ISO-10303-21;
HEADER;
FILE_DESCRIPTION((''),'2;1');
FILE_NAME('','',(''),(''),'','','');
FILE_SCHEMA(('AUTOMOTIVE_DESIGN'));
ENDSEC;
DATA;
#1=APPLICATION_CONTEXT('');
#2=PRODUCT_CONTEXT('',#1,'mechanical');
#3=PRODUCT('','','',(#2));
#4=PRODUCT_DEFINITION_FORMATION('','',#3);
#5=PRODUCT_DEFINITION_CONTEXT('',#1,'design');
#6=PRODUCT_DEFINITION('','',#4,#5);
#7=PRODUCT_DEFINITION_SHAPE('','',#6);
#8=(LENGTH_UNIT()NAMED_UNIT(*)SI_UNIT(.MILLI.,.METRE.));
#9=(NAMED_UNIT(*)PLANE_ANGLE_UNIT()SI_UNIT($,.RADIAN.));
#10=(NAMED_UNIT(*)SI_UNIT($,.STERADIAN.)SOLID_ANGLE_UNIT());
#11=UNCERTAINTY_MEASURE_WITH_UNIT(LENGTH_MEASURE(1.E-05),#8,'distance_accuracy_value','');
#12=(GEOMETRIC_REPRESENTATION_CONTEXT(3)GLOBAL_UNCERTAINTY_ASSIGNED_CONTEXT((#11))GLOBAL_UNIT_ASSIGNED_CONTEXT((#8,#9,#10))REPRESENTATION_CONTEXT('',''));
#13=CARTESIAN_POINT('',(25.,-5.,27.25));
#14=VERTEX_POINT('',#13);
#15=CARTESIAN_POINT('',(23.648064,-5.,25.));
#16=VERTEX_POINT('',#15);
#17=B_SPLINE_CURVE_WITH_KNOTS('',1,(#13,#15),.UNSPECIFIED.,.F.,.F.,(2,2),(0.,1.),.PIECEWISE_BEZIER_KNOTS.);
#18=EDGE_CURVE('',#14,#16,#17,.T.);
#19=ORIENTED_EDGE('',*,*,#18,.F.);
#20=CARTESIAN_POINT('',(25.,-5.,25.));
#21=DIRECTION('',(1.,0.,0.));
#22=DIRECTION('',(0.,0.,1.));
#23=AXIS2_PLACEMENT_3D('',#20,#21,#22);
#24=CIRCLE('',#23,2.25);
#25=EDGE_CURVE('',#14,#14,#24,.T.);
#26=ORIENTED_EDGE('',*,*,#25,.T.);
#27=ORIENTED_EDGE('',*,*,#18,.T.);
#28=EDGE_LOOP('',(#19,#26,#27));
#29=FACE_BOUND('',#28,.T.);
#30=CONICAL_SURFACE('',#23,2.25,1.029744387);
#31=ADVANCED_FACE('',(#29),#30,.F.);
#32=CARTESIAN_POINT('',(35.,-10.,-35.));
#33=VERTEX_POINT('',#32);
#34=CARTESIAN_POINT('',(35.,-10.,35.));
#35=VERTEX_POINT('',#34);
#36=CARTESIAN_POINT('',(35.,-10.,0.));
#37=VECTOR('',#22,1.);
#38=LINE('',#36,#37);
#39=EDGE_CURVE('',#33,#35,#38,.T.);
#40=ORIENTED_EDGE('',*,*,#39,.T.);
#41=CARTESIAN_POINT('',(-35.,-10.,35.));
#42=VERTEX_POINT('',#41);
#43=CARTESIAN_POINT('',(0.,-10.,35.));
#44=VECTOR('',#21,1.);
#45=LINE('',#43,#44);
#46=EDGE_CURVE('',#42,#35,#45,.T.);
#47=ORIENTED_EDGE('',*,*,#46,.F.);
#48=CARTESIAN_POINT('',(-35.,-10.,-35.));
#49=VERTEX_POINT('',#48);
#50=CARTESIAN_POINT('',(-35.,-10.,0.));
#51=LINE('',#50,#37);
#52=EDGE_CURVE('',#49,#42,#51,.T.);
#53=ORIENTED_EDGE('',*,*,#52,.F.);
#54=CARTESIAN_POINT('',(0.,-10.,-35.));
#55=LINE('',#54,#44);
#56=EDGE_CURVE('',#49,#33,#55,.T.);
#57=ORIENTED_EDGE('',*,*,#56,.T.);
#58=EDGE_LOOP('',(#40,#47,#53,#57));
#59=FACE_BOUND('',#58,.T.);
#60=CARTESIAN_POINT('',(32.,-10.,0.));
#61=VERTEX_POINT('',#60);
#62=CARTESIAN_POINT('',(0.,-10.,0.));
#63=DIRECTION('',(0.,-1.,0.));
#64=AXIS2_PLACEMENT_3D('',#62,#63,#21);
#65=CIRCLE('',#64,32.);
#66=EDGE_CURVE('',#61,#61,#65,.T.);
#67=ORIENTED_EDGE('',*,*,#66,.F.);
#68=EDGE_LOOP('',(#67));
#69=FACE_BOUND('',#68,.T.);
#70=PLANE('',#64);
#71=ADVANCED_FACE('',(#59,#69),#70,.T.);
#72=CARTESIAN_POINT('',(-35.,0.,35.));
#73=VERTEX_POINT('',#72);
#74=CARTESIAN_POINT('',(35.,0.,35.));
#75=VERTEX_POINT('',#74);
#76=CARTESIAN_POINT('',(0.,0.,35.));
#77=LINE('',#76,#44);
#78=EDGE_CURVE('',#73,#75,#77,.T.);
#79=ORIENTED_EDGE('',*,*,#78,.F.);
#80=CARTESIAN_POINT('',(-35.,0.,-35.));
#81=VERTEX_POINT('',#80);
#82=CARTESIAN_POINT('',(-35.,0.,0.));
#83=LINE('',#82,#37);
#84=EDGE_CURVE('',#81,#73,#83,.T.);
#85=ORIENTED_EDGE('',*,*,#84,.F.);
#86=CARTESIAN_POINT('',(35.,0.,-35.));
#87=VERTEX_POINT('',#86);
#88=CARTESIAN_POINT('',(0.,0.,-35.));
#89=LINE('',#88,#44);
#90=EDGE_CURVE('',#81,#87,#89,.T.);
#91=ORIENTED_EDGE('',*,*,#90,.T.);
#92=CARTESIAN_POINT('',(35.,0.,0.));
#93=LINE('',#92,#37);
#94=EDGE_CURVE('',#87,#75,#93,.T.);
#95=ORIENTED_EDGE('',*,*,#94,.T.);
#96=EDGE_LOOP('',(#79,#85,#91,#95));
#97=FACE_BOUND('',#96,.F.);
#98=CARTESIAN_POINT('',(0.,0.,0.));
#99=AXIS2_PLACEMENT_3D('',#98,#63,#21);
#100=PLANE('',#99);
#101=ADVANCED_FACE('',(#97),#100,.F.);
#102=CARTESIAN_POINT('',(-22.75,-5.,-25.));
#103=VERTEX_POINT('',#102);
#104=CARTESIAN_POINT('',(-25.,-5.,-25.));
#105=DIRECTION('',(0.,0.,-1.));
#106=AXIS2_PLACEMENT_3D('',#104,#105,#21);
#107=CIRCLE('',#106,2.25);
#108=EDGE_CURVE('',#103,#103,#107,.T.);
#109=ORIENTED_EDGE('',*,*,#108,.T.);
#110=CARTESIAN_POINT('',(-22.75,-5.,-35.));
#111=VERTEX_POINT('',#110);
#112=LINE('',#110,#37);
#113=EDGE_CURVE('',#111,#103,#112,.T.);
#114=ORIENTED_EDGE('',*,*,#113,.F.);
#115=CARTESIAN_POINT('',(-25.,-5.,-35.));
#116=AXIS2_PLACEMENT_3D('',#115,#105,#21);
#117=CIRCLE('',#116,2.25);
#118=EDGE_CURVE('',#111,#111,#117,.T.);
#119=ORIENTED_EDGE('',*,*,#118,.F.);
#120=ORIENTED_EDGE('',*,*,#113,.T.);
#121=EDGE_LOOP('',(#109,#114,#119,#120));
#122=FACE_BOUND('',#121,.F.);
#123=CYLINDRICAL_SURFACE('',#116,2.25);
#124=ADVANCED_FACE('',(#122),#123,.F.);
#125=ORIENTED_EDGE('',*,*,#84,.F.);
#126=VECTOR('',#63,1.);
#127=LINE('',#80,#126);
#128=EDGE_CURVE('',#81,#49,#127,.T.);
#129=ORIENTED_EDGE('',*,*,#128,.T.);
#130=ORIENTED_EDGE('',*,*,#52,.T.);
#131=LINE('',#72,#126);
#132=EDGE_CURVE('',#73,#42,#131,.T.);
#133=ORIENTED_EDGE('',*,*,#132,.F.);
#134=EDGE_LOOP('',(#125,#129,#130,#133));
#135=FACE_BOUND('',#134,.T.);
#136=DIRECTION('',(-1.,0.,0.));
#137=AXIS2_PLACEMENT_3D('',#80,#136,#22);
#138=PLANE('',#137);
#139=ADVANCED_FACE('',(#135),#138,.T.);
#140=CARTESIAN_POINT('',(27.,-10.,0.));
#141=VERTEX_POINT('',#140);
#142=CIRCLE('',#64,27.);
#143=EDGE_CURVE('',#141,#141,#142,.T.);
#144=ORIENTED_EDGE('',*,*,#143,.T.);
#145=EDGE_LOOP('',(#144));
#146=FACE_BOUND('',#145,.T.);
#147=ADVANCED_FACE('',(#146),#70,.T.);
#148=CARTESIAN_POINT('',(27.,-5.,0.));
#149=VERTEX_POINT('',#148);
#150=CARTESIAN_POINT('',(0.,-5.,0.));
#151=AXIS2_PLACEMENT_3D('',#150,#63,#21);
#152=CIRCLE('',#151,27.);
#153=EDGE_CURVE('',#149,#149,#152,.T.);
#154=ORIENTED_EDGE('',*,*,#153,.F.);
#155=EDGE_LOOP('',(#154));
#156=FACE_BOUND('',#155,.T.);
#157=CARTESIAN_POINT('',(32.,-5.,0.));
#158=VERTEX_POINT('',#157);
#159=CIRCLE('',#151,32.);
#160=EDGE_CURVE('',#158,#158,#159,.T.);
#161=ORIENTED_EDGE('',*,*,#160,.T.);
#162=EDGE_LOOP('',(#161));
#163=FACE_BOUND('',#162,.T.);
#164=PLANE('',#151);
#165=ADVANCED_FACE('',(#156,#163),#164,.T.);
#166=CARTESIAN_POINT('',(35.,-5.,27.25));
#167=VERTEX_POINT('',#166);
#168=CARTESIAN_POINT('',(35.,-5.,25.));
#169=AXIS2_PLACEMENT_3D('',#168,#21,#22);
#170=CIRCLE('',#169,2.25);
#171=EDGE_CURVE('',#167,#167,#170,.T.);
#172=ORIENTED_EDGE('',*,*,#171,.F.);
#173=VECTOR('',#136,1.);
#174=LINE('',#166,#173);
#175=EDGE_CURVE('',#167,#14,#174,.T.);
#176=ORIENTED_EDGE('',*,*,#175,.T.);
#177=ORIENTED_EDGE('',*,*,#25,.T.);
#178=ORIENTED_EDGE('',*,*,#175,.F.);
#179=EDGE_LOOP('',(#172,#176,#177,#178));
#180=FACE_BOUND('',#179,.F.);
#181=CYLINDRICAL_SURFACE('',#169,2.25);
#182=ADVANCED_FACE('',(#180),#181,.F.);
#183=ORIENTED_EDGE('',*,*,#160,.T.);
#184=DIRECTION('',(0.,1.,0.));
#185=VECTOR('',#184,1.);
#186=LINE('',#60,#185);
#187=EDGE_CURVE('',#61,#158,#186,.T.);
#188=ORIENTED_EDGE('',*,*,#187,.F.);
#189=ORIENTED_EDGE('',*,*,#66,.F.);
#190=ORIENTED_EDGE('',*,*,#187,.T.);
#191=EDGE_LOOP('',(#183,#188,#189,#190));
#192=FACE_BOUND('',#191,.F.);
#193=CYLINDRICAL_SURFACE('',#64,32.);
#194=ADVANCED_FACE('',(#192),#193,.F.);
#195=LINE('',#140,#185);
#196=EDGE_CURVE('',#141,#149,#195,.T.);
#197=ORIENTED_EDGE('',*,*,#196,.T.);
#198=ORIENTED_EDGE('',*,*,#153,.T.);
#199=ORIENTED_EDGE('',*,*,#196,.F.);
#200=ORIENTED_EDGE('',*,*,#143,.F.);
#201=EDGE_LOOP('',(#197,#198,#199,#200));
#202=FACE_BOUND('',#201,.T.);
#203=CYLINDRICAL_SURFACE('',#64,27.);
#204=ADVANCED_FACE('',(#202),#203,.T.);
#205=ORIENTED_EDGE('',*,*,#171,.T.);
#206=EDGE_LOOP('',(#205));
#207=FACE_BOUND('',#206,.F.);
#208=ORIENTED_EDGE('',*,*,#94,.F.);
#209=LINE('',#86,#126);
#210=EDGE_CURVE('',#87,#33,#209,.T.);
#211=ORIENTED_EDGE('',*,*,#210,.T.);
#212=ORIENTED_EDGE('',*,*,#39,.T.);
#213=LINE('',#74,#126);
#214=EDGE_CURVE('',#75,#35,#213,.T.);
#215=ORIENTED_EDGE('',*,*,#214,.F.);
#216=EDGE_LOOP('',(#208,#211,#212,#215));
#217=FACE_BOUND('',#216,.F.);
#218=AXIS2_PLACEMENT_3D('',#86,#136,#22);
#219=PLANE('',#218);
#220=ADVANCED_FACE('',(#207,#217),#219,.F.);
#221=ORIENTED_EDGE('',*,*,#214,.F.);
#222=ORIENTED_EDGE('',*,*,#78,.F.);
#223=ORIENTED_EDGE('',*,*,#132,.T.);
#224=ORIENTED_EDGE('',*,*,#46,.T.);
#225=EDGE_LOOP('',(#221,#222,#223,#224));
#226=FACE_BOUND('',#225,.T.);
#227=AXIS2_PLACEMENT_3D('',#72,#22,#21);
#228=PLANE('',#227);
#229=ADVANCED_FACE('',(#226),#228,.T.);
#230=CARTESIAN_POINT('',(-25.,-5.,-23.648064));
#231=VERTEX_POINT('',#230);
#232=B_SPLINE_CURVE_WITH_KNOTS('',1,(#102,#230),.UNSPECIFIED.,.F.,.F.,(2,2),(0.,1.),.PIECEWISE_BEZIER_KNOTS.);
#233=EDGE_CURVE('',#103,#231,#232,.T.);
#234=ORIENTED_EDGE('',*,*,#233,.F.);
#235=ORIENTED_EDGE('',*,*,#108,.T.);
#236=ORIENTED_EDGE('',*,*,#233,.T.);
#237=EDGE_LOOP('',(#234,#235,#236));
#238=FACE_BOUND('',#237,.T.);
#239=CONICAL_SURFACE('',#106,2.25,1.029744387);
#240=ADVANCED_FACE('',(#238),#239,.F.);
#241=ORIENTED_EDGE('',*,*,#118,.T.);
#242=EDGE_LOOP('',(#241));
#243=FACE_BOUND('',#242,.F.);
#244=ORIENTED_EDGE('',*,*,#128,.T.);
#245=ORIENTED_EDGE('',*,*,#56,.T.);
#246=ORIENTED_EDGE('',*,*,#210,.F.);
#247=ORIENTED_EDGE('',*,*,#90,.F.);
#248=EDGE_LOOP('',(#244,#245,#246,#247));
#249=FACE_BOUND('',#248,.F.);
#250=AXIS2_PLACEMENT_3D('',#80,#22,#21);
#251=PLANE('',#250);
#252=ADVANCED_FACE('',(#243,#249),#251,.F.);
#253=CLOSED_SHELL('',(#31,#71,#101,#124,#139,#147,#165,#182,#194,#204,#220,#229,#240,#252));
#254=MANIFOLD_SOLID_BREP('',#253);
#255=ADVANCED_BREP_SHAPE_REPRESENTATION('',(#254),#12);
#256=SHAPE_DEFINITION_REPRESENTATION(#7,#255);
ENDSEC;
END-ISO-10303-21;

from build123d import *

# Parameters (mm, degrees)
SKETCH_W       = 70
SKETCH_H       = 70
PAD_DEPTH      = 10
SKETCH001_R    = 32
SKETCH001_R_2  = 27
POCKET_DEPTH   = 5
SKETCH003_R    = 2.25
HOLE_DEPTH     = 10
HOLE_TIPS_R    = 2.25
SKETCH004_R    = 2.25
HOLE001_DEPTH  = 10
HOLE001_TIPS_R = 2.25


with BuildPart() as part:
    # Sketch → Pad (new body)
    with BuildSketch(Plane.XZ):
        Rectangle(SKETCH_W, SKETCH_H)
    extrude(amount=PAD_DEPTH)

    # Sketch001 (on Face6 of Pad) → Pocket (cut)
    with BuildSketch(Plane.XZ.offset(10)):
        Circle(SKETCH001_R)
        Circle(SKETCH001_R_2, mode=Mode.SUBTRACT)
    extrude(amount=-POCKET_DEPTH, mode=Mode.SUBTRACT)

    # Sketch003 (on Face3 of Pocket) → Hole (cut)
    with BuildSketch(Plane(origin=(35, 0, 0), x_dir=(0, 0, 1), z_dir=(1, 0, 0))):
        with Locations((25, 5)):
            Circle(SKETCH003_R)
    extrude(amount=-HOLE_DEPTH, mode=Mode.SUBTRACT)

    # Hole tips → Hole tip 1 section 0
    with BuildSketch(Plane(origin=(25, 0, 0), x_dir=(0, 0, 1), z_dir=(1, 0, 0)), mode=Mode.PRIVATE) as hole_tip_1_s0:
        with Locations((25, 5)):
            Circle(HOLE_TIPS_R)
    loft([hole_tip_1_s0.sketch, Vertex(23.648064, -5, 25)], mode=Mode.SUBTRACT)

    # Sketch004 (on Face6 of Hole) → Hole001 (cut)
    with BuildSketch(Plane(origin=(0, 0, -35), x_dir=(1, 0, 0), z_dir=(0, 0, -1))):
        with Locations((-25, 5)):
            Circle(SKETCH004_R)
    extrude(amount=-HOLE001_DEPTH, mode=Mode.SUBTRACT)

    # Hole001 tips → Hole001 tip 1 section 0
    with BuildSketch(Plane(origin=(0, 0, -25), x_dir=(1, 0, 0), z_dir=(0, 0, -1)), mode=Mode.PRIVATE) as hole001_tip_1_s0:
        with Locations((-25, 5)):
            Circle(HOLE001_TIPS_R)
    loft([hole001_tip_1_s0.sketch, Vertex(-25, -5, -23.648064)], mode=Mode.SUBTRACT)


solid = part.part
